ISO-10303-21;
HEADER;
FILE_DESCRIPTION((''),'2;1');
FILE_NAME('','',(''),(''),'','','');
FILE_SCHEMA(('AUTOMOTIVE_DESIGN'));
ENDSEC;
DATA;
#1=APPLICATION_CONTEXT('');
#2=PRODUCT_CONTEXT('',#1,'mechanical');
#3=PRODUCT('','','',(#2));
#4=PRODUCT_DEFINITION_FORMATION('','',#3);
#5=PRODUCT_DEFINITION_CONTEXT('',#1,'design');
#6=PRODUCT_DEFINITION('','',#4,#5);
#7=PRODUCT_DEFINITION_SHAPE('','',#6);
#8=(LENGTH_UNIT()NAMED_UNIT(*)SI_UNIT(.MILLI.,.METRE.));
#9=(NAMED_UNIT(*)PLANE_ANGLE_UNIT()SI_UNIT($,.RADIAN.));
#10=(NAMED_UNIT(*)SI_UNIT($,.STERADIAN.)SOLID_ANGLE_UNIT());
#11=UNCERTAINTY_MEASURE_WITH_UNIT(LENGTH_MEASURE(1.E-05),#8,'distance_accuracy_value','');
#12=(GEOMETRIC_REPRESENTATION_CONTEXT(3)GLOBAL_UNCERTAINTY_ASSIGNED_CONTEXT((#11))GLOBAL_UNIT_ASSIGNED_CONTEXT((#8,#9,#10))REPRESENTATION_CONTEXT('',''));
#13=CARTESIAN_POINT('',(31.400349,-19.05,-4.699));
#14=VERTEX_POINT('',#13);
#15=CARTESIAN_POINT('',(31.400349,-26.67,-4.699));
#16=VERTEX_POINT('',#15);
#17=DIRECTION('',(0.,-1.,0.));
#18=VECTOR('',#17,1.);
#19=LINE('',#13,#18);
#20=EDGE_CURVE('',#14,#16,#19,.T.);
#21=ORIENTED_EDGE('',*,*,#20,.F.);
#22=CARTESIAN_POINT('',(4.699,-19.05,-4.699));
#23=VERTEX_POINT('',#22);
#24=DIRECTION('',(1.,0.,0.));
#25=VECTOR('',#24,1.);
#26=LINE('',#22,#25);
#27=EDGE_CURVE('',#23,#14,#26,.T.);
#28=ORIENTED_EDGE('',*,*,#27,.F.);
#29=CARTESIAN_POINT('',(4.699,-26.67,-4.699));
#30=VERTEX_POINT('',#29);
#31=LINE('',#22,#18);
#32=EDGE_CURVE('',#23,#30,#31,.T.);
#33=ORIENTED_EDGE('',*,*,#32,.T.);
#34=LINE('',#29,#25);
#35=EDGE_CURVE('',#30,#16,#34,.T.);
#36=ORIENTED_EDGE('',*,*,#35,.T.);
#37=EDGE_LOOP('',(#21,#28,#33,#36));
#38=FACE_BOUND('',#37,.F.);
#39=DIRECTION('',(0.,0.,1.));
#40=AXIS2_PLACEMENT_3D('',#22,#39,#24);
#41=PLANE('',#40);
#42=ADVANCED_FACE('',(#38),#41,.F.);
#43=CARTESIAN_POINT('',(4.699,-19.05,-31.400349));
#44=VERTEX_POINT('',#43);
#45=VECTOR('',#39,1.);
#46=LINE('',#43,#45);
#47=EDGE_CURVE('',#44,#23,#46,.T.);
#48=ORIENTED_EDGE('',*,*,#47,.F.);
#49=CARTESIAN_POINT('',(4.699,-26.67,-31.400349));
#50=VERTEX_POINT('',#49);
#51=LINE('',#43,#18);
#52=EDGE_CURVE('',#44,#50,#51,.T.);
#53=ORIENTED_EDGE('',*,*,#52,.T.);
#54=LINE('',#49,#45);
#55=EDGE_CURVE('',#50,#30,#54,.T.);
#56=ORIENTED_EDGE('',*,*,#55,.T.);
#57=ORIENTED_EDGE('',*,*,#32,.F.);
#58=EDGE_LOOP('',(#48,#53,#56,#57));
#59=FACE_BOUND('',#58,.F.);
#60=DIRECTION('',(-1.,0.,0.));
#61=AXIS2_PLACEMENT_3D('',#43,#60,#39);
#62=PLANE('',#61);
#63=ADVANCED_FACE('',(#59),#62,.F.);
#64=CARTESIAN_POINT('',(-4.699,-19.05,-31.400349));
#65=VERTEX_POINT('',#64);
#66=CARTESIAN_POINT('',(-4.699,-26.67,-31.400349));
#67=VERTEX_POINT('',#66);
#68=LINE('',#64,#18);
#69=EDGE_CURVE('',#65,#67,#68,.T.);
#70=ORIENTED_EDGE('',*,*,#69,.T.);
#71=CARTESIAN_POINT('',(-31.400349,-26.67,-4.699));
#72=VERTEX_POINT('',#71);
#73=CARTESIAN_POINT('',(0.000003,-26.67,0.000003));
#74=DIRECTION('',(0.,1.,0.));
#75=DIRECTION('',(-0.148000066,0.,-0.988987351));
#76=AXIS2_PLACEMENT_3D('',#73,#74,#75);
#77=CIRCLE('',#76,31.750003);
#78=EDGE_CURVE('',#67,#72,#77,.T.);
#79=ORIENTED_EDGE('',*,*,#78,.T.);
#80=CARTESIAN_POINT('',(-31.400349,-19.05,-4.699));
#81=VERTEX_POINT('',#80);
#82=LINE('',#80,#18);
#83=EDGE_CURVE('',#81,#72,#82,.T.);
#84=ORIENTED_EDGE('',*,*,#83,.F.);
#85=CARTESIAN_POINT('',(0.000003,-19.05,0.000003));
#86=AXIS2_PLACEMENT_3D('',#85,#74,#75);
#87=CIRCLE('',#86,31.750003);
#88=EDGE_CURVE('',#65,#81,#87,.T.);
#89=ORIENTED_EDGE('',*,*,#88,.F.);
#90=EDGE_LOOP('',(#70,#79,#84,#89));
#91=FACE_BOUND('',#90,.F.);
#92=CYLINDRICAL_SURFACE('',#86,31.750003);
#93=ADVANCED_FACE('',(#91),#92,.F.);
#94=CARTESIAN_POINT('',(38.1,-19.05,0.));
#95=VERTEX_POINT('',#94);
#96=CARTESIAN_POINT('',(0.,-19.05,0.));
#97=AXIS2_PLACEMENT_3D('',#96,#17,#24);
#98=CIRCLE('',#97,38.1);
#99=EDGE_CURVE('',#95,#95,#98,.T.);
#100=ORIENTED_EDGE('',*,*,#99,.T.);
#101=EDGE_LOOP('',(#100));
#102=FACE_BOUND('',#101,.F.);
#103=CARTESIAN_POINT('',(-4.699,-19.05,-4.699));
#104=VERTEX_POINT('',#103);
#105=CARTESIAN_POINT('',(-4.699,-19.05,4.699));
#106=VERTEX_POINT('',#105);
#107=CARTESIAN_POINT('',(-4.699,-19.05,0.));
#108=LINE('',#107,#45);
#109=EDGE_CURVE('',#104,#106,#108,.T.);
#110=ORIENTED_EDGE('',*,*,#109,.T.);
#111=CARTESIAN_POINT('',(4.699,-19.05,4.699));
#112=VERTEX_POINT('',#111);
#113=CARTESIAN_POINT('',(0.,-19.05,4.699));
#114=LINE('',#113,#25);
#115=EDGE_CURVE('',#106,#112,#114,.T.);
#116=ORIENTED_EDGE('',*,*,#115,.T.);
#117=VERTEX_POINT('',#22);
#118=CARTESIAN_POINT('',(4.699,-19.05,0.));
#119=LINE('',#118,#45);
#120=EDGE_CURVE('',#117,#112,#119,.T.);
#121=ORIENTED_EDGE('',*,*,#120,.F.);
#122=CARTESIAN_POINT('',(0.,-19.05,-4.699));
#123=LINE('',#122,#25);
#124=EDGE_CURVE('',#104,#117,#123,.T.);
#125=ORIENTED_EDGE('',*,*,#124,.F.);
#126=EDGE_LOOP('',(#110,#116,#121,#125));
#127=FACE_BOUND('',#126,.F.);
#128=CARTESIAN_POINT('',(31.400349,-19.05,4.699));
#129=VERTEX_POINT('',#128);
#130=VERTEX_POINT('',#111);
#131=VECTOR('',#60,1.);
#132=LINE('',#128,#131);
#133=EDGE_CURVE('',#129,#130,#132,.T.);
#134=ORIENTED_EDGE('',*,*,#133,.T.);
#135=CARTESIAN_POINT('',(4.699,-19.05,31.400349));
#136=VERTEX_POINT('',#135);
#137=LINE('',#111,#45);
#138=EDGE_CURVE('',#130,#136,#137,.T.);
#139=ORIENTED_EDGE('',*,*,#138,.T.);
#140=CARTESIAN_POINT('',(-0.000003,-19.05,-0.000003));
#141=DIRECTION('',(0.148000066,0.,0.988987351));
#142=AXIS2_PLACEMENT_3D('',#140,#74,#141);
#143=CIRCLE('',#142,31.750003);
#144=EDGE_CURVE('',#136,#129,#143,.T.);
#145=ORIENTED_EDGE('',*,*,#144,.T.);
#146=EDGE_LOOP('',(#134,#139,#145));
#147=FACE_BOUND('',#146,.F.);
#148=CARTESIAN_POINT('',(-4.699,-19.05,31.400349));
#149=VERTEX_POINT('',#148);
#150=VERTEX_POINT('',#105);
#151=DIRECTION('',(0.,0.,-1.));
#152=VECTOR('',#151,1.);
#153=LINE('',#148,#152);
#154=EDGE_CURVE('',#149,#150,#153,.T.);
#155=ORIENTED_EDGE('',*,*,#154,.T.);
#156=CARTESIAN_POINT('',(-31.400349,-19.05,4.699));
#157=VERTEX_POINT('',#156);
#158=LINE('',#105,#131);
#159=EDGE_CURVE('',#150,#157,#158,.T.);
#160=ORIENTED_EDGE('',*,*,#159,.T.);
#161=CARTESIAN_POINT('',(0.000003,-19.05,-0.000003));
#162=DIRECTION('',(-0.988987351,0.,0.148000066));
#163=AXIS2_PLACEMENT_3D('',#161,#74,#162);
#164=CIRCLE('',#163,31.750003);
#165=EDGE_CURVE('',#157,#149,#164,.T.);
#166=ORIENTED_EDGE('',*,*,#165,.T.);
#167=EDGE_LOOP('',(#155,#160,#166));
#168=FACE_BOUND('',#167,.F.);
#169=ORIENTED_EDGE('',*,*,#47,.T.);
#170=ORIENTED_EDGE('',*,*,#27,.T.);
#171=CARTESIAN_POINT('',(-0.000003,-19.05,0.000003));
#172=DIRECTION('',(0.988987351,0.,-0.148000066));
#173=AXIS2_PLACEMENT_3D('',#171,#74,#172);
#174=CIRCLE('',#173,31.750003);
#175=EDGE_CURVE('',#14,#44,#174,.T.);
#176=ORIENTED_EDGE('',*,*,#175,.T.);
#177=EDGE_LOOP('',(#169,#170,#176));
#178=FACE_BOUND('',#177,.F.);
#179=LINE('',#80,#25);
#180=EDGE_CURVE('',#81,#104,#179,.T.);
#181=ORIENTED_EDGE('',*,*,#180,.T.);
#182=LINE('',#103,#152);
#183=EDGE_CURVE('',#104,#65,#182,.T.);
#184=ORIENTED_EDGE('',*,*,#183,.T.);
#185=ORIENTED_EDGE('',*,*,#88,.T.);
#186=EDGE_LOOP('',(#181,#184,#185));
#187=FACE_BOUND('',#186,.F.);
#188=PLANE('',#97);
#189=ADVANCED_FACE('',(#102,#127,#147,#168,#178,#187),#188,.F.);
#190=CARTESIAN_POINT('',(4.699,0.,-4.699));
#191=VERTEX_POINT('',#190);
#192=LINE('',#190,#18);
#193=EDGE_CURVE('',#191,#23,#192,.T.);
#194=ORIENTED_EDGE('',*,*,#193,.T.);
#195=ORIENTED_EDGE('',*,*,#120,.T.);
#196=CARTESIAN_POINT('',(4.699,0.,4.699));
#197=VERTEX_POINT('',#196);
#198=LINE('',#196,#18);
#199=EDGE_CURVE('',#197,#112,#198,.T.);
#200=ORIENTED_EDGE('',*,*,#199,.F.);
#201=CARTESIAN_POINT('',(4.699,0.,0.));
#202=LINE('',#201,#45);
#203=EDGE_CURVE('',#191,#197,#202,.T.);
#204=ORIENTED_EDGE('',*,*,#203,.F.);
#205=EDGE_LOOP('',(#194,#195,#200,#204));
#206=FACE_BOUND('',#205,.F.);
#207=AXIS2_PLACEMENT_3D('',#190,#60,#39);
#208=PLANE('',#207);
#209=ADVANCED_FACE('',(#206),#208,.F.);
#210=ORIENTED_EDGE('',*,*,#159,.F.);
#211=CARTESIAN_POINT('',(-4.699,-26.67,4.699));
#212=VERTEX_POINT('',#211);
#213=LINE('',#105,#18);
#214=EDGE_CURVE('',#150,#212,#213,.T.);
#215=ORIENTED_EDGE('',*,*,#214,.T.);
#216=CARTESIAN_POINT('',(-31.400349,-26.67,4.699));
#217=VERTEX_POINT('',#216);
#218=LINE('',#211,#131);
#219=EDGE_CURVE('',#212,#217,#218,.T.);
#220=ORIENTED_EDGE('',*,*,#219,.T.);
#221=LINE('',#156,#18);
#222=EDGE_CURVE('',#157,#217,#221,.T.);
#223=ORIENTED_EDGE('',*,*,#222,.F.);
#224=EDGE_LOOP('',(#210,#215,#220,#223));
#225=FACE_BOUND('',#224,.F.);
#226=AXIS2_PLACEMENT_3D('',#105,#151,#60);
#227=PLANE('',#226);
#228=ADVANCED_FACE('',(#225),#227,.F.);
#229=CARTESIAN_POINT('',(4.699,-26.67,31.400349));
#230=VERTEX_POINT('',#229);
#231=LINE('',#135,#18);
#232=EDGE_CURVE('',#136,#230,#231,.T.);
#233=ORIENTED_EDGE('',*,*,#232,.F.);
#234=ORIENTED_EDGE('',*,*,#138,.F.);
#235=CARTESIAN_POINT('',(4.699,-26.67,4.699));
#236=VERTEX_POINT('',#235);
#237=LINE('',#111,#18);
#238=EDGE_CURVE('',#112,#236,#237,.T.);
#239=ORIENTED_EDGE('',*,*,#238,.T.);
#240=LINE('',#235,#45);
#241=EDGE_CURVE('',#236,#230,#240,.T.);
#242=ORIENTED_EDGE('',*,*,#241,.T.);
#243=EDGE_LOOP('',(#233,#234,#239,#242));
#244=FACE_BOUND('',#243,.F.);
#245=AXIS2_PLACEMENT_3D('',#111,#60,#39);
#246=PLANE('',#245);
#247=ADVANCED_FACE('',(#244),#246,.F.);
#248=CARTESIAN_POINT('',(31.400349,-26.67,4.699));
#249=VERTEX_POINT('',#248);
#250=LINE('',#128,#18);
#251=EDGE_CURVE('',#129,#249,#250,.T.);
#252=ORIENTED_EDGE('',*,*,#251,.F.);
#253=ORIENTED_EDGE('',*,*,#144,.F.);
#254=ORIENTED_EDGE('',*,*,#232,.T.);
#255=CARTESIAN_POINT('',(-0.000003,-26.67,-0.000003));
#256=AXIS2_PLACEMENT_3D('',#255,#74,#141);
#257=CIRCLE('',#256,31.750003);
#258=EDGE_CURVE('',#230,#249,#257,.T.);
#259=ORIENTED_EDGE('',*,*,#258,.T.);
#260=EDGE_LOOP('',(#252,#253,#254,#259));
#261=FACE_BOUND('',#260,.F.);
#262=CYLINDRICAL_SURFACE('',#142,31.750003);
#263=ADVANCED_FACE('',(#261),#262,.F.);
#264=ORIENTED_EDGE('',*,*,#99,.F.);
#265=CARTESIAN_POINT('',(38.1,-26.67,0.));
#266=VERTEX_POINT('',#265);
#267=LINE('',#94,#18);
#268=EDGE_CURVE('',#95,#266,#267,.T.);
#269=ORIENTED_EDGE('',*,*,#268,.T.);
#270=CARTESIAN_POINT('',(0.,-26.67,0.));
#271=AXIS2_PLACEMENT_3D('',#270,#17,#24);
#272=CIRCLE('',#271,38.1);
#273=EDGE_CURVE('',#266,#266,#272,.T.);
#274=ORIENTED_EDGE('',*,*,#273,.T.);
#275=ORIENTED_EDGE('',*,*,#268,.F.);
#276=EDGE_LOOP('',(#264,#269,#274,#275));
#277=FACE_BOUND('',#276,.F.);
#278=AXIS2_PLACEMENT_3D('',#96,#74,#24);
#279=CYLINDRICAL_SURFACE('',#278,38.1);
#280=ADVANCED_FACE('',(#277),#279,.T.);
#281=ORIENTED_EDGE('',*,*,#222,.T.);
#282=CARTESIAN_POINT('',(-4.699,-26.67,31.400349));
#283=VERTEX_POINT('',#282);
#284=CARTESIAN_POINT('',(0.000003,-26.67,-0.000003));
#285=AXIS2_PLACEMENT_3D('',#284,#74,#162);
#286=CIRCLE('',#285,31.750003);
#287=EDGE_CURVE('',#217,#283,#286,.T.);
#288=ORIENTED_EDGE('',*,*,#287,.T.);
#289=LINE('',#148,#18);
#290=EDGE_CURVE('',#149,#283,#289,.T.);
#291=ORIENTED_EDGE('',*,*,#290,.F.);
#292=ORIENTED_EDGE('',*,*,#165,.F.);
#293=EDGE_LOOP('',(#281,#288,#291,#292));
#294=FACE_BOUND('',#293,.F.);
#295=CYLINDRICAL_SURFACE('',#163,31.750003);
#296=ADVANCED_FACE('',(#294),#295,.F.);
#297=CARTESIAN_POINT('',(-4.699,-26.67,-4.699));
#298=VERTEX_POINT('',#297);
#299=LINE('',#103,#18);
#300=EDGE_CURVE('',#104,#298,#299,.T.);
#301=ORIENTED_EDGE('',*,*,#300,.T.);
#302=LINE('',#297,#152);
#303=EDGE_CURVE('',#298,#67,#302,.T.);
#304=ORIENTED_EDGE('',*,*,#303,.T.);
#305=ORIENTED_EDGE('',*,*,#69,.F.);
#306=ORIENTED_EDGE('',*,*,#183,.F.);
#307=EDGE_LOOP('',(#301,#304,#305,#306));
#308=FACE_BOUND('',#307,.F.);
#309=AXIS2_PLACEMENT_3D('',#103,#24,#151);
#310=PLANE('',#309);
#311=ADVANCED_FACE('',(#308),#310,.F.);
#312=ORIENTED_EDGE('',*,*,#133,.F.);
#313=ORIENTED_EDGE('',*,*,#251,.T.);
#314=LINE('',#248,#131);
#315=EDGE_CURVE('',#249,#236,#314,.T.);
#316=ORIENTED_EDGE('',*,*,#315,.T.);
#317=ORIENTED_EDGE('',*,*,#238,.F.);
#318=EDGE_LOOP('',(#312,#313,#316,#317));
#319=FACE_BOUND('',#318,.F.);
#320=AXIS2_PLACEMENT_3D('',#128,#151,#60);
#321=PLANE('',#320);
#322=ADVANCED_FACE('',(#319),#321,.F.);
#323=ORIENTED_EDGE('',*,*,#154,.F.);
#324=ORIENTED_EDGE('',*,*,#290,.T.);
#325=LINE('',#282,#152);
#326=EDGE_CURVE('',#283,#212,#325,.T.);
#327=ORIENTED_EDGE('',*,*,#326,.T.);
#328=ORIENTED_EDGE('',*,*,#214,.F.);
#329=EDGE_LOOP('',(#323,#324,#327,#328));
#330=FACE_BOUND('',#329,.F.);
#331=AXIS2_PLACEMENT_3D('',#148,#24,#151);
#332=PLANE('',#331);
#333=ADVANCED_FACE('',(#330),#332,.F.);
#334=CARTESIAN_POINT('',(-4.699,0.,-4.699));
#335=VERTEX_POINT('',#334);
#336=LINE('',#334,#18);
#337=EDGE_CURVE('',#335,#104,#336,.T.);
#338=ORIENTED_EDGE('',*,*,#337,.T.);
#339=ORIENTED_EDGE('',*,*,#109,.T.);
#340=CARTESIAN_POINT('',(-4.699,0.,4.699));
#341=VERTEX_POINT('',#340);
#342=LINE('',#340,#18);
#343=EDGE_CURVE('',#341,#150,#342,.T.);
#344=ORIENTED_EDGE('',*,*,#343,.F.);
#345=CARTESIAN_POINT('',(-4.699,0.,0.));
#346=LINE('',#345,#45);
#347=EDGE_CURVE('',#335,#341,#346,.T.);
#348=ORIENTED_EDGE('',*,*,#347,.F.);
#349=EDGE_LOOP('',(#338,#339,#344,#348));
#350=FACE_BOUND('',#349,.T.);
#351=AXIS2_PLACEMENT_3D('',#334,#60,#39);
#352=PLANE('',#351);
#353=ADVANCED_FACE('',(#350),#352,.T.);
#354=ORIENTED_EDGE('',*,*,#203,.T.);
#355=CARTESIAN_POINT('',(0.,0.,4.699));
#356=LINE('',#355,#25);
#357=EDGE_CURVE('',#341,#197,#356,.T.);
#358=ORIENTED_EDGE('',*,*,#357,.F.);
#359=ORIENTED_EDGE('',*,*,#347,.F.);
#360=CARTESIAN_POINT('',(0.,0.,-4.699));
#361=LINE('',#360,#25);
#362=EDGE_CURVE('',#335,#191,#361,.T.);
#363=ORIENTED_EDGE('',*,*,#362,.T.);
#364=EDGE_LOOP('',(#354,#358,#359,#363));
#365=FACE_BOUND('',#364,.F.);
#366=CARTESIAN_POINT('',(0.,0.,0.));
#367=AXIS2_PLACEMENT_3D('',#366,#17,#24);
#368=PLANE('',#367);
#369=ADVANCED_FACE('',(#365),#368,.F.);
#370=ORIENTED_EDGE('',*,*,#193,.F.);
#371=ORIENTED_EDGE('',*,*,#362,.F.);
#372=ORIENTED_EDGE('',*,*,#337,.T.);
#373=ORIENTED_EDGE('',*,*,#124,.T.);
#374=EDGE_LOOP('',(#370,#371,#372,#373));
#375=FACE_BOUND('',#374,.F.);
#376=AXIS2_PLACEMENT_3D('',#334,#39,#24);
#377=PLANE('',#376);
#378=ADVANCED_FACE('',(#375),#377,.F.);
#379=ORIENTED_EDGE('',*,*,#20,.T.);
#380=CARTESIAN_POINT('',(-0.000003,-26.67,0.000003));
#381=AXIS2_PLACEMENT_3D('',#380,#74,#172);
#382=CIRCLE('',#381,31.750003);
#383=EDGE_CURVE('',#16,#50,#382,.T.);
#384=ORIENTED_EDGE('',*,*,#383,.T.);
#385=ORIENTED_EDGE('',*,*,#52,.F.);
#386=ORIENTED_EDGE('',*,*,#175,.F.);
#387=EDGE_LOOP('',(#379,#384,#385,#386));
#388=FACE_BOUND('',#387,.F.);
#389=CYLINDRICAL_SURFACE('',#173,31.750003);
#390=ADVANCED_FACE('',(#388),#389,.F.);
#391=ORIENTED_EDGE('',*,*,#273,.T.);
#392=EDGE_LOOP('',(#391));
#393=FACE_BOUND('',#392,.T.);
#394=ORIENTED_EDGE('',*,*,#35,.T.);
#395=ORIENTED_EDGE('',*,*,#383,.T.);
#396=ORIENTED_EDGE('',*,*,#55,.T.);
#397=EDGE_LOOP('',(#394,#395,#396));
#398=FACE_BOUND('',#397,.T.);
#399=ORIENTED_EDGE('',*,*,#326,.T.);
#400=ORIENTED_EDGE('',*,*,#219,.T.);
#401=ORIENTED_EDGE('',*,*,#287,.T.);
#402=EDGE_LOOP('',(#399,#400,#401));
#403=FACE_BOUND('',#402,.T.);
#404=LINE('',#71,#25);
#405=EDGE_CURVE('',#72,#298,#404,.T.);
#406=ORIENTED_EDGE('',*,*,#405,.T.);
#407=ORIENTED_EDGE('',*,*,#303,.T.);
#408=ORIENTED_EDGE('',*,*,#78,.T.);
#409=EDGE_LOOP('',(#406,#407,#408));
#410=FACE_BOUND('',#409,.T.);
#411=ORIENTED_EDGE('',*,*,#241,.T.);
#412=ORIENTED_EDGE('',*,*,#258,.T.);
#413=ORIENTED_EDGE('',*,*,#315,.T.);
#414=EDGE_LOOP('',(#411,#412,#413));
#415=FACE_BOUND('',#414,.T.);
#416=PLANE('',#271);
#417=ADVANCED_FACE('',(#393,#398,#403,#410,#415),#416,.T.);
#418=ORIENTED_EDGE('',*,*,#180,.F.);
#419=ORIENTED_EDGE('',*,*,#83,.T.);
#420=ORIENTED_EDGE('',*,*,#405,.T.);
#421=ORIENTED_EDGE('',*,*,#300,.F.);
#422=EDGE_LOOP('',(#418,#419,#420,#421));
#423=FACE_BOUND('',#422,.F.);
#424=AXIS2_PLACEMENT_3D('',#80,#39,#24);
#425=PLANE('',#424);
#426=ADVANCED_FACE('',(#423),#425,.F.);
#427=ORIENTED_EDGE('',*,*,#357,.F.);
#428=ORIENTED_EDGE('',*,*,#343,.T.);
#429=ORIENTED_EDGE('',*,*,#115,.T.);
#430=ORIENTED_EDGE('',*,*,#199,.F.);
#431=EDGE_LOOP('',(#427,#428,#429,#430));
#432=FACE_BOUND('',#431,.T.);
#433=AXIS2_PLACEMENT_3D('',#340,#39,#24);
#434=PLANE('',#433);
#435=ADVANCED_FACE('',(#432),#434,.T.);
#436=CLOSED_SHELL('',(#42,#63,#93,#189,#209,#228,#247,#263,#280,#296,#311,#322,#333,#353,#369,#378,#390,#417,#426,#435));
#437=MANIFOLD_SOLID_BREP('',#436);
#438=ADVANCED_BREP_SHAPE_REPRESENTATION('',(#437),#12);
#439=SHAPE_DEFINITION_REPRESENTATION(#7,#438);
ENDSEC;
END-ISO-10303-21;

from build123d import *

# Parameters (mm, degrees)
F0_W     = 9.398
F0_H     = 9.398
F1_DEPTH = 19.05
F2_R     = 38.1
F3_DEPTH = 7.62


with BuildPart() as f1:
    # F0 (on Front) → F1 (new body)
    with BuildSketch(Plane.XZ):
        Rectangle(F0_W, F0_H)
    extrude(amount=F1_DEPTH)

    # F2 (on face) → F3 (join)
    with BuildSketch(Plane.XZ.offset(19.05)):
        Circle(F2_R)
        with BuildLine():
            Line((-31.400349, -4.699), (-4.699, -4.699))
            Line((-4.699, -4.699), (-4.699, -31.400349))
            ThreePointArc((-4.699, -31.400349), (-22.45064, -22.45064), (-31.400349, -4.699))
        make_face(mode=Mode.SUBTRACT)
        with BuildLine():
            Line((4.699, -31.400349), (4.699, -4.699))
            Line((4.699, -4.699), (31.400349, -4.699))
            ThreePointArc((31.400349, -4.699), (22.45064, -22.45064), (4.699, -31.400349))
        make_face(mode=Mode.SUBTRACT)
        with BuildLine():
            ThreePointArc((-31.400349, 4.699), (-22.45064, 22.45064), (-4.699, 31.400349))
            Line((-4.699, 31.400349), (-4.699, 4.699))
            Line((-4.699, 4.699), (-31.400349, 4.699))
        make_face(mode=Mode.SUBTRACT)
        with BuildLine():
            Line((31.400349, 4.699), (4.699, 4.699))
            Line((4.699, 4.699), (4.699, 31.400349))
            ThreePointArc((4.699, 31.400349), (22.45064, 22.45064), (31.400349, 4.699))
        make_face(mode=Mode.SUBTRACT)
    extrude(amount=F3_DEPTH)


solid = f1.part
